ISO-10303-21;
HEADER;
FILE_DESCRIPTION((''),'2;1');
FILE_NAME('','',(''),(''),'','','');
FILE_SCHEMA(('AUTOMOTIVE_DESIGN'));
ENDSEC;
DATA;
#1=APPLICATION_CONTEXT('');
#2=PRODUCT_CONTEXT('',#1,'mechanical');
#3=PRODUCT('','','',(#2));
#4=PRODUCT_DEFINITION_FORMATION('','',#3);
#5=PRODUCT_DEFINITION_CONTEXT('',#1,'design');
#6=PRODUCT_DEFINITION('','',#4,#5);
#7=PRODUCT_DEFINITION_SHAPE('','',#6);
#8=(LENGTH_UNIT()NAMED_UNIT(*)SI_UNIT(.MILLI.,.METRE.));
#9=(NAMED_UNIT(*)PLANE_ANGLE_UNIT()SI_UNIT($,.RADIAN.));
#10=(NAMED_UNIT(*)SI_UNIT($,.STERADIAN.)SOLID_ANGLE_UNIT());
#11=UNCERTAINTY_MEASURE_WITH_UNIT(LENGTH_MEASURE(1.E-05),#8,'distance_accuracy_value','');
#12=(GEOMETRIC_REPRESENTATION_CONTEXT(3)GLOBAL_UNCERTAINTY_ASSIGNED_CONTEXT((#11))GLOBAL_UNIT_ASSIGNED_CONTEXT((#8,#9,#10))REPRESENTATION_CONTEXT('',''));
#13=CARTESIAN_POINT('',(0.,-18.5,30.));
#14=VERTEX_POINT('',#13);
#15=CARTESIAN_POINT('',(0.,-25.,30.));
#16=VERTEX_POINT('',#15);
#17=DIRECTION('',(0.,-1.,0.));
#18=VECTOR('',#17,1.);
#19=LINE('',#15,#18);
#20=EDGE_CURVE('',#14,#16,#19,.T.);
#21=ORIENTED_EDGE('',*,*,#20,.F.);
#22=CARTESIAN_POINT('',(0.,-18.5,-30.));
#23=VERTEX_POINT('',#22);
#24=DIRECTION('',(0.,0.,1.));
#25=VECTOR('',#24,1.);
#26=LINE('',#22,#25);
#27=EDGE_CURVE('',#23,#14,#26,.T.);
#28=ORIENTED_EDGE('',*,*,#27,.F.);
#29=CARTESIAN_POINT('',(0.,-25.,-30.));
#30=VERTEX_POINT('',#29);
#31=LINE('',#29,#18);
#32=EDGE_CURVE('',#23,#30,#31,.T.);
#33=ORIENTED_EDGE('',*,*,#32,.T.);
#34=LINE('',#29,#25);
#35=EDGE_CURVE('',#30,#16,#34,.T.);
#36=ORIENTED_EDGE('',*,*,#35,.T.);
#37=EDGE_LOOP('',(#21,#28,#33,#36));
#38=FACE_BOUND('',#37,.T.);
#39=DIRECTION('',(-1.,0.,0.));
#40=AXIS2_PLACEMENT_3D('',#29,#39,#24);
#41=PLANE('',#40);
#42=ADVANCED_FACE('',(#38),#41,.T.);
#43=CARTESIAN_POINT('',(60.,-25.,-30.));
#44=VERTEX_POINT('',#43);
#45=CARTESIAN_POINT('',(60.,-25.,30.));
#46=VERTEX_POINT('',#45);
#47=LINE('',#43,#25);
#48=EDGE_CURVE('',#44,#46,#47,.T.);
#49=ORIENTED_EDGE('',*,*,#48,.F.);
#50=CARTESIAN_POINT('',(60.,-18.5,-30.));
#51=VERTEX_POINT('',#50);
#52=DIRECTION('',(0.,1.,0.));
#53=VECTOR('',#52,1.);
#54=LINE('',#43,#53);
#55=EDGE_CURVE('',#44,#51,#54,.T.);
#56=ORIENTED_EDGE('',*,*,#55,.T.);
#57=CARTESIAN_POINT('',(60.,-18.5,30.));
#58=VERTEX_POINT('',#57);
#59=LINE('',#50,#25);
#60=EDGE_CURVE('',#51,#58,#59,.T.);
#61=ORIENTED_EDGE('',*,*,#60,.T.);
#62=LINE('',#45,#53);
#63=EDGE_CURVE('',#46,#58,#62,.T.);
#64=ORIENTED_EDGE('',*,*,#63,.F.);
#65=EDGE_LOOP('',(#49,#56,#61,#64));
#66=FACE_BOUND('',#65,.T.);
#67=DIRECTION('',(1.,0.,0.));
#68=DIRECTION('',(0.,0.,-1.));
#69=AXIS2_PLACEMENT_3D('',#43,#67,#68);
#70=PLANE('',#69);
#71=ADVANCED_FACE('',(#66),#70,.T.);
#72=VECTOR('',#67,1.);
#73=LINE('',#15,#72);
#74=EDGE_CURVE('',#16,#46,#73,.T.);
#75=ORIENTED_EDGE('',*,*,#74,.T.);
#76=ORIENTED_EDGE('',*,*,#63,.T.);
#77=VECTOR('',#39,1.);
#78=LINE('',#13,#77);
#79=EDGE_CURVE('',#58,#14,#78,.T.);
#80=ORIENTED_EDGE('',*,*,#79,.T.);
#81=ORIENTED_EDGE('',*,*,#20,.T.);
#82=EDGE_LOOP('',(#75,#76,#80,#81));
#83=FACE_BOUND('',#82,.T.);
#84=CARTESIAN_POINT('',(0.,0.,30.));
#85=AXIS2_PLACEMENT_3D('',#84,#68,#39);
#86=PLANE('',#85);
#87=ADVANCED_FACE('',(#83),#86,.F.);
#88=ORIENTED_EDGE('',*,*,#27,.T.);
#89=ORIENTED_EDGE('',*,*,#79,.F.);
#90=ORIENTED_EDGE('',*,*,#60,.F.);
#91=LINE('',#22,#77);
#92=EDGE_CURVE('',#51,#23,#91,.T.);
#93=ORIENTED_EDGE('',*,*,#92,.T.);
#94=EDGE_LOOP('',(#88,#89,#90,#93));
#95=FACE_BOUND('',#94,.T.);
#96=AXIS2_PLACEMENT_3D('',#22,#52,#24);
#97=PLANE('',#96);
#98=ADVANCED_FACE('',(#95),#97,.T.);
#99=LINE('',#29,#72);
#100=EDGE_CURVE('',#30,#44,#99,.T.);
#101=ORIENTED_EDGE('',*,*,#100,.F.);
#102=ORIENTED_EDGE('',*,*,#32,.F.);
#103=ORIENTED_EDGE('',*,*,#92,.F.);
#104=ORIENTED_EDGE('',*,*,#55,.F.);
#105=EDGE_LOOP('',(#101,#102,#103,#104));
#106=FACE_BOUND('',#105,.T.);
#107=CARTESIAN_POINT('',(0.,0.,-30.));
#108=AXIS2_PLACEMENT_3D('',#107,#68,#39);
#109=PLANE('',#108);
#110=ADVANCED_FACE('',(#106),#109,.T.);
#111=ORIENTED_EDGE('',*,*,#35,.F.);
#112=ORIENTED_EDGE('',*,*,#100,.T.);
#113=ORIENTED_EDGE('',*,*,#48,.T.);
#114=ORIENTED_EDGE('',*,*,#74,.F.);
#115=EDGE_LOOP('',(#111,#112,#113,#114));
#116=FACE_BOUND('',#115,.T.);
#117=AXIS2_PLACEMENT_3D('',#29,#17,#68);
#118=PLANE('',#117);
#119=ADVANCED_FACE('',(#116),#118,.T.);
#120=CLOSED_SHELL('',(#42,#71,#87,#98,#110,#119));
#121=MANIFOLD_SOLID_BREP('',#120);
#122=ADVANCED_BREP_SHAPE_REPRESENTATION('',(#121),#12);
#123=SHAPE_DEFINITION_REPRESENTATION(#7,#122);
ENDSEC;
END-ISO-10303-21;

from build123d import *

# Parameters (mm, degrees)
MTG_MONTAJ_BRAKETI_3MM_1_START = 30
SKETCH1_W                      = 60
SKETCH1_H                      = 6.5
MTG_MONTAJ_BRAKETI_3MM_1_DEPTH = 60


with BuildPart() as part:
    # Sketch1 → MTG_montaj_braketi_3mm_1 (new body)
    with BuildSketch(Plane.XY.offset(MTG_MONTAJ_BRAKETI_3MM_1_START)):
        with Locations((30, -21.75)):
            Rectangle(SKETCH1_W, SKETCH1_H)
    extrude(amount=-MTG_MONTAJ_BRAKETI_3MM_1_DEPTH)


solid = part.part
